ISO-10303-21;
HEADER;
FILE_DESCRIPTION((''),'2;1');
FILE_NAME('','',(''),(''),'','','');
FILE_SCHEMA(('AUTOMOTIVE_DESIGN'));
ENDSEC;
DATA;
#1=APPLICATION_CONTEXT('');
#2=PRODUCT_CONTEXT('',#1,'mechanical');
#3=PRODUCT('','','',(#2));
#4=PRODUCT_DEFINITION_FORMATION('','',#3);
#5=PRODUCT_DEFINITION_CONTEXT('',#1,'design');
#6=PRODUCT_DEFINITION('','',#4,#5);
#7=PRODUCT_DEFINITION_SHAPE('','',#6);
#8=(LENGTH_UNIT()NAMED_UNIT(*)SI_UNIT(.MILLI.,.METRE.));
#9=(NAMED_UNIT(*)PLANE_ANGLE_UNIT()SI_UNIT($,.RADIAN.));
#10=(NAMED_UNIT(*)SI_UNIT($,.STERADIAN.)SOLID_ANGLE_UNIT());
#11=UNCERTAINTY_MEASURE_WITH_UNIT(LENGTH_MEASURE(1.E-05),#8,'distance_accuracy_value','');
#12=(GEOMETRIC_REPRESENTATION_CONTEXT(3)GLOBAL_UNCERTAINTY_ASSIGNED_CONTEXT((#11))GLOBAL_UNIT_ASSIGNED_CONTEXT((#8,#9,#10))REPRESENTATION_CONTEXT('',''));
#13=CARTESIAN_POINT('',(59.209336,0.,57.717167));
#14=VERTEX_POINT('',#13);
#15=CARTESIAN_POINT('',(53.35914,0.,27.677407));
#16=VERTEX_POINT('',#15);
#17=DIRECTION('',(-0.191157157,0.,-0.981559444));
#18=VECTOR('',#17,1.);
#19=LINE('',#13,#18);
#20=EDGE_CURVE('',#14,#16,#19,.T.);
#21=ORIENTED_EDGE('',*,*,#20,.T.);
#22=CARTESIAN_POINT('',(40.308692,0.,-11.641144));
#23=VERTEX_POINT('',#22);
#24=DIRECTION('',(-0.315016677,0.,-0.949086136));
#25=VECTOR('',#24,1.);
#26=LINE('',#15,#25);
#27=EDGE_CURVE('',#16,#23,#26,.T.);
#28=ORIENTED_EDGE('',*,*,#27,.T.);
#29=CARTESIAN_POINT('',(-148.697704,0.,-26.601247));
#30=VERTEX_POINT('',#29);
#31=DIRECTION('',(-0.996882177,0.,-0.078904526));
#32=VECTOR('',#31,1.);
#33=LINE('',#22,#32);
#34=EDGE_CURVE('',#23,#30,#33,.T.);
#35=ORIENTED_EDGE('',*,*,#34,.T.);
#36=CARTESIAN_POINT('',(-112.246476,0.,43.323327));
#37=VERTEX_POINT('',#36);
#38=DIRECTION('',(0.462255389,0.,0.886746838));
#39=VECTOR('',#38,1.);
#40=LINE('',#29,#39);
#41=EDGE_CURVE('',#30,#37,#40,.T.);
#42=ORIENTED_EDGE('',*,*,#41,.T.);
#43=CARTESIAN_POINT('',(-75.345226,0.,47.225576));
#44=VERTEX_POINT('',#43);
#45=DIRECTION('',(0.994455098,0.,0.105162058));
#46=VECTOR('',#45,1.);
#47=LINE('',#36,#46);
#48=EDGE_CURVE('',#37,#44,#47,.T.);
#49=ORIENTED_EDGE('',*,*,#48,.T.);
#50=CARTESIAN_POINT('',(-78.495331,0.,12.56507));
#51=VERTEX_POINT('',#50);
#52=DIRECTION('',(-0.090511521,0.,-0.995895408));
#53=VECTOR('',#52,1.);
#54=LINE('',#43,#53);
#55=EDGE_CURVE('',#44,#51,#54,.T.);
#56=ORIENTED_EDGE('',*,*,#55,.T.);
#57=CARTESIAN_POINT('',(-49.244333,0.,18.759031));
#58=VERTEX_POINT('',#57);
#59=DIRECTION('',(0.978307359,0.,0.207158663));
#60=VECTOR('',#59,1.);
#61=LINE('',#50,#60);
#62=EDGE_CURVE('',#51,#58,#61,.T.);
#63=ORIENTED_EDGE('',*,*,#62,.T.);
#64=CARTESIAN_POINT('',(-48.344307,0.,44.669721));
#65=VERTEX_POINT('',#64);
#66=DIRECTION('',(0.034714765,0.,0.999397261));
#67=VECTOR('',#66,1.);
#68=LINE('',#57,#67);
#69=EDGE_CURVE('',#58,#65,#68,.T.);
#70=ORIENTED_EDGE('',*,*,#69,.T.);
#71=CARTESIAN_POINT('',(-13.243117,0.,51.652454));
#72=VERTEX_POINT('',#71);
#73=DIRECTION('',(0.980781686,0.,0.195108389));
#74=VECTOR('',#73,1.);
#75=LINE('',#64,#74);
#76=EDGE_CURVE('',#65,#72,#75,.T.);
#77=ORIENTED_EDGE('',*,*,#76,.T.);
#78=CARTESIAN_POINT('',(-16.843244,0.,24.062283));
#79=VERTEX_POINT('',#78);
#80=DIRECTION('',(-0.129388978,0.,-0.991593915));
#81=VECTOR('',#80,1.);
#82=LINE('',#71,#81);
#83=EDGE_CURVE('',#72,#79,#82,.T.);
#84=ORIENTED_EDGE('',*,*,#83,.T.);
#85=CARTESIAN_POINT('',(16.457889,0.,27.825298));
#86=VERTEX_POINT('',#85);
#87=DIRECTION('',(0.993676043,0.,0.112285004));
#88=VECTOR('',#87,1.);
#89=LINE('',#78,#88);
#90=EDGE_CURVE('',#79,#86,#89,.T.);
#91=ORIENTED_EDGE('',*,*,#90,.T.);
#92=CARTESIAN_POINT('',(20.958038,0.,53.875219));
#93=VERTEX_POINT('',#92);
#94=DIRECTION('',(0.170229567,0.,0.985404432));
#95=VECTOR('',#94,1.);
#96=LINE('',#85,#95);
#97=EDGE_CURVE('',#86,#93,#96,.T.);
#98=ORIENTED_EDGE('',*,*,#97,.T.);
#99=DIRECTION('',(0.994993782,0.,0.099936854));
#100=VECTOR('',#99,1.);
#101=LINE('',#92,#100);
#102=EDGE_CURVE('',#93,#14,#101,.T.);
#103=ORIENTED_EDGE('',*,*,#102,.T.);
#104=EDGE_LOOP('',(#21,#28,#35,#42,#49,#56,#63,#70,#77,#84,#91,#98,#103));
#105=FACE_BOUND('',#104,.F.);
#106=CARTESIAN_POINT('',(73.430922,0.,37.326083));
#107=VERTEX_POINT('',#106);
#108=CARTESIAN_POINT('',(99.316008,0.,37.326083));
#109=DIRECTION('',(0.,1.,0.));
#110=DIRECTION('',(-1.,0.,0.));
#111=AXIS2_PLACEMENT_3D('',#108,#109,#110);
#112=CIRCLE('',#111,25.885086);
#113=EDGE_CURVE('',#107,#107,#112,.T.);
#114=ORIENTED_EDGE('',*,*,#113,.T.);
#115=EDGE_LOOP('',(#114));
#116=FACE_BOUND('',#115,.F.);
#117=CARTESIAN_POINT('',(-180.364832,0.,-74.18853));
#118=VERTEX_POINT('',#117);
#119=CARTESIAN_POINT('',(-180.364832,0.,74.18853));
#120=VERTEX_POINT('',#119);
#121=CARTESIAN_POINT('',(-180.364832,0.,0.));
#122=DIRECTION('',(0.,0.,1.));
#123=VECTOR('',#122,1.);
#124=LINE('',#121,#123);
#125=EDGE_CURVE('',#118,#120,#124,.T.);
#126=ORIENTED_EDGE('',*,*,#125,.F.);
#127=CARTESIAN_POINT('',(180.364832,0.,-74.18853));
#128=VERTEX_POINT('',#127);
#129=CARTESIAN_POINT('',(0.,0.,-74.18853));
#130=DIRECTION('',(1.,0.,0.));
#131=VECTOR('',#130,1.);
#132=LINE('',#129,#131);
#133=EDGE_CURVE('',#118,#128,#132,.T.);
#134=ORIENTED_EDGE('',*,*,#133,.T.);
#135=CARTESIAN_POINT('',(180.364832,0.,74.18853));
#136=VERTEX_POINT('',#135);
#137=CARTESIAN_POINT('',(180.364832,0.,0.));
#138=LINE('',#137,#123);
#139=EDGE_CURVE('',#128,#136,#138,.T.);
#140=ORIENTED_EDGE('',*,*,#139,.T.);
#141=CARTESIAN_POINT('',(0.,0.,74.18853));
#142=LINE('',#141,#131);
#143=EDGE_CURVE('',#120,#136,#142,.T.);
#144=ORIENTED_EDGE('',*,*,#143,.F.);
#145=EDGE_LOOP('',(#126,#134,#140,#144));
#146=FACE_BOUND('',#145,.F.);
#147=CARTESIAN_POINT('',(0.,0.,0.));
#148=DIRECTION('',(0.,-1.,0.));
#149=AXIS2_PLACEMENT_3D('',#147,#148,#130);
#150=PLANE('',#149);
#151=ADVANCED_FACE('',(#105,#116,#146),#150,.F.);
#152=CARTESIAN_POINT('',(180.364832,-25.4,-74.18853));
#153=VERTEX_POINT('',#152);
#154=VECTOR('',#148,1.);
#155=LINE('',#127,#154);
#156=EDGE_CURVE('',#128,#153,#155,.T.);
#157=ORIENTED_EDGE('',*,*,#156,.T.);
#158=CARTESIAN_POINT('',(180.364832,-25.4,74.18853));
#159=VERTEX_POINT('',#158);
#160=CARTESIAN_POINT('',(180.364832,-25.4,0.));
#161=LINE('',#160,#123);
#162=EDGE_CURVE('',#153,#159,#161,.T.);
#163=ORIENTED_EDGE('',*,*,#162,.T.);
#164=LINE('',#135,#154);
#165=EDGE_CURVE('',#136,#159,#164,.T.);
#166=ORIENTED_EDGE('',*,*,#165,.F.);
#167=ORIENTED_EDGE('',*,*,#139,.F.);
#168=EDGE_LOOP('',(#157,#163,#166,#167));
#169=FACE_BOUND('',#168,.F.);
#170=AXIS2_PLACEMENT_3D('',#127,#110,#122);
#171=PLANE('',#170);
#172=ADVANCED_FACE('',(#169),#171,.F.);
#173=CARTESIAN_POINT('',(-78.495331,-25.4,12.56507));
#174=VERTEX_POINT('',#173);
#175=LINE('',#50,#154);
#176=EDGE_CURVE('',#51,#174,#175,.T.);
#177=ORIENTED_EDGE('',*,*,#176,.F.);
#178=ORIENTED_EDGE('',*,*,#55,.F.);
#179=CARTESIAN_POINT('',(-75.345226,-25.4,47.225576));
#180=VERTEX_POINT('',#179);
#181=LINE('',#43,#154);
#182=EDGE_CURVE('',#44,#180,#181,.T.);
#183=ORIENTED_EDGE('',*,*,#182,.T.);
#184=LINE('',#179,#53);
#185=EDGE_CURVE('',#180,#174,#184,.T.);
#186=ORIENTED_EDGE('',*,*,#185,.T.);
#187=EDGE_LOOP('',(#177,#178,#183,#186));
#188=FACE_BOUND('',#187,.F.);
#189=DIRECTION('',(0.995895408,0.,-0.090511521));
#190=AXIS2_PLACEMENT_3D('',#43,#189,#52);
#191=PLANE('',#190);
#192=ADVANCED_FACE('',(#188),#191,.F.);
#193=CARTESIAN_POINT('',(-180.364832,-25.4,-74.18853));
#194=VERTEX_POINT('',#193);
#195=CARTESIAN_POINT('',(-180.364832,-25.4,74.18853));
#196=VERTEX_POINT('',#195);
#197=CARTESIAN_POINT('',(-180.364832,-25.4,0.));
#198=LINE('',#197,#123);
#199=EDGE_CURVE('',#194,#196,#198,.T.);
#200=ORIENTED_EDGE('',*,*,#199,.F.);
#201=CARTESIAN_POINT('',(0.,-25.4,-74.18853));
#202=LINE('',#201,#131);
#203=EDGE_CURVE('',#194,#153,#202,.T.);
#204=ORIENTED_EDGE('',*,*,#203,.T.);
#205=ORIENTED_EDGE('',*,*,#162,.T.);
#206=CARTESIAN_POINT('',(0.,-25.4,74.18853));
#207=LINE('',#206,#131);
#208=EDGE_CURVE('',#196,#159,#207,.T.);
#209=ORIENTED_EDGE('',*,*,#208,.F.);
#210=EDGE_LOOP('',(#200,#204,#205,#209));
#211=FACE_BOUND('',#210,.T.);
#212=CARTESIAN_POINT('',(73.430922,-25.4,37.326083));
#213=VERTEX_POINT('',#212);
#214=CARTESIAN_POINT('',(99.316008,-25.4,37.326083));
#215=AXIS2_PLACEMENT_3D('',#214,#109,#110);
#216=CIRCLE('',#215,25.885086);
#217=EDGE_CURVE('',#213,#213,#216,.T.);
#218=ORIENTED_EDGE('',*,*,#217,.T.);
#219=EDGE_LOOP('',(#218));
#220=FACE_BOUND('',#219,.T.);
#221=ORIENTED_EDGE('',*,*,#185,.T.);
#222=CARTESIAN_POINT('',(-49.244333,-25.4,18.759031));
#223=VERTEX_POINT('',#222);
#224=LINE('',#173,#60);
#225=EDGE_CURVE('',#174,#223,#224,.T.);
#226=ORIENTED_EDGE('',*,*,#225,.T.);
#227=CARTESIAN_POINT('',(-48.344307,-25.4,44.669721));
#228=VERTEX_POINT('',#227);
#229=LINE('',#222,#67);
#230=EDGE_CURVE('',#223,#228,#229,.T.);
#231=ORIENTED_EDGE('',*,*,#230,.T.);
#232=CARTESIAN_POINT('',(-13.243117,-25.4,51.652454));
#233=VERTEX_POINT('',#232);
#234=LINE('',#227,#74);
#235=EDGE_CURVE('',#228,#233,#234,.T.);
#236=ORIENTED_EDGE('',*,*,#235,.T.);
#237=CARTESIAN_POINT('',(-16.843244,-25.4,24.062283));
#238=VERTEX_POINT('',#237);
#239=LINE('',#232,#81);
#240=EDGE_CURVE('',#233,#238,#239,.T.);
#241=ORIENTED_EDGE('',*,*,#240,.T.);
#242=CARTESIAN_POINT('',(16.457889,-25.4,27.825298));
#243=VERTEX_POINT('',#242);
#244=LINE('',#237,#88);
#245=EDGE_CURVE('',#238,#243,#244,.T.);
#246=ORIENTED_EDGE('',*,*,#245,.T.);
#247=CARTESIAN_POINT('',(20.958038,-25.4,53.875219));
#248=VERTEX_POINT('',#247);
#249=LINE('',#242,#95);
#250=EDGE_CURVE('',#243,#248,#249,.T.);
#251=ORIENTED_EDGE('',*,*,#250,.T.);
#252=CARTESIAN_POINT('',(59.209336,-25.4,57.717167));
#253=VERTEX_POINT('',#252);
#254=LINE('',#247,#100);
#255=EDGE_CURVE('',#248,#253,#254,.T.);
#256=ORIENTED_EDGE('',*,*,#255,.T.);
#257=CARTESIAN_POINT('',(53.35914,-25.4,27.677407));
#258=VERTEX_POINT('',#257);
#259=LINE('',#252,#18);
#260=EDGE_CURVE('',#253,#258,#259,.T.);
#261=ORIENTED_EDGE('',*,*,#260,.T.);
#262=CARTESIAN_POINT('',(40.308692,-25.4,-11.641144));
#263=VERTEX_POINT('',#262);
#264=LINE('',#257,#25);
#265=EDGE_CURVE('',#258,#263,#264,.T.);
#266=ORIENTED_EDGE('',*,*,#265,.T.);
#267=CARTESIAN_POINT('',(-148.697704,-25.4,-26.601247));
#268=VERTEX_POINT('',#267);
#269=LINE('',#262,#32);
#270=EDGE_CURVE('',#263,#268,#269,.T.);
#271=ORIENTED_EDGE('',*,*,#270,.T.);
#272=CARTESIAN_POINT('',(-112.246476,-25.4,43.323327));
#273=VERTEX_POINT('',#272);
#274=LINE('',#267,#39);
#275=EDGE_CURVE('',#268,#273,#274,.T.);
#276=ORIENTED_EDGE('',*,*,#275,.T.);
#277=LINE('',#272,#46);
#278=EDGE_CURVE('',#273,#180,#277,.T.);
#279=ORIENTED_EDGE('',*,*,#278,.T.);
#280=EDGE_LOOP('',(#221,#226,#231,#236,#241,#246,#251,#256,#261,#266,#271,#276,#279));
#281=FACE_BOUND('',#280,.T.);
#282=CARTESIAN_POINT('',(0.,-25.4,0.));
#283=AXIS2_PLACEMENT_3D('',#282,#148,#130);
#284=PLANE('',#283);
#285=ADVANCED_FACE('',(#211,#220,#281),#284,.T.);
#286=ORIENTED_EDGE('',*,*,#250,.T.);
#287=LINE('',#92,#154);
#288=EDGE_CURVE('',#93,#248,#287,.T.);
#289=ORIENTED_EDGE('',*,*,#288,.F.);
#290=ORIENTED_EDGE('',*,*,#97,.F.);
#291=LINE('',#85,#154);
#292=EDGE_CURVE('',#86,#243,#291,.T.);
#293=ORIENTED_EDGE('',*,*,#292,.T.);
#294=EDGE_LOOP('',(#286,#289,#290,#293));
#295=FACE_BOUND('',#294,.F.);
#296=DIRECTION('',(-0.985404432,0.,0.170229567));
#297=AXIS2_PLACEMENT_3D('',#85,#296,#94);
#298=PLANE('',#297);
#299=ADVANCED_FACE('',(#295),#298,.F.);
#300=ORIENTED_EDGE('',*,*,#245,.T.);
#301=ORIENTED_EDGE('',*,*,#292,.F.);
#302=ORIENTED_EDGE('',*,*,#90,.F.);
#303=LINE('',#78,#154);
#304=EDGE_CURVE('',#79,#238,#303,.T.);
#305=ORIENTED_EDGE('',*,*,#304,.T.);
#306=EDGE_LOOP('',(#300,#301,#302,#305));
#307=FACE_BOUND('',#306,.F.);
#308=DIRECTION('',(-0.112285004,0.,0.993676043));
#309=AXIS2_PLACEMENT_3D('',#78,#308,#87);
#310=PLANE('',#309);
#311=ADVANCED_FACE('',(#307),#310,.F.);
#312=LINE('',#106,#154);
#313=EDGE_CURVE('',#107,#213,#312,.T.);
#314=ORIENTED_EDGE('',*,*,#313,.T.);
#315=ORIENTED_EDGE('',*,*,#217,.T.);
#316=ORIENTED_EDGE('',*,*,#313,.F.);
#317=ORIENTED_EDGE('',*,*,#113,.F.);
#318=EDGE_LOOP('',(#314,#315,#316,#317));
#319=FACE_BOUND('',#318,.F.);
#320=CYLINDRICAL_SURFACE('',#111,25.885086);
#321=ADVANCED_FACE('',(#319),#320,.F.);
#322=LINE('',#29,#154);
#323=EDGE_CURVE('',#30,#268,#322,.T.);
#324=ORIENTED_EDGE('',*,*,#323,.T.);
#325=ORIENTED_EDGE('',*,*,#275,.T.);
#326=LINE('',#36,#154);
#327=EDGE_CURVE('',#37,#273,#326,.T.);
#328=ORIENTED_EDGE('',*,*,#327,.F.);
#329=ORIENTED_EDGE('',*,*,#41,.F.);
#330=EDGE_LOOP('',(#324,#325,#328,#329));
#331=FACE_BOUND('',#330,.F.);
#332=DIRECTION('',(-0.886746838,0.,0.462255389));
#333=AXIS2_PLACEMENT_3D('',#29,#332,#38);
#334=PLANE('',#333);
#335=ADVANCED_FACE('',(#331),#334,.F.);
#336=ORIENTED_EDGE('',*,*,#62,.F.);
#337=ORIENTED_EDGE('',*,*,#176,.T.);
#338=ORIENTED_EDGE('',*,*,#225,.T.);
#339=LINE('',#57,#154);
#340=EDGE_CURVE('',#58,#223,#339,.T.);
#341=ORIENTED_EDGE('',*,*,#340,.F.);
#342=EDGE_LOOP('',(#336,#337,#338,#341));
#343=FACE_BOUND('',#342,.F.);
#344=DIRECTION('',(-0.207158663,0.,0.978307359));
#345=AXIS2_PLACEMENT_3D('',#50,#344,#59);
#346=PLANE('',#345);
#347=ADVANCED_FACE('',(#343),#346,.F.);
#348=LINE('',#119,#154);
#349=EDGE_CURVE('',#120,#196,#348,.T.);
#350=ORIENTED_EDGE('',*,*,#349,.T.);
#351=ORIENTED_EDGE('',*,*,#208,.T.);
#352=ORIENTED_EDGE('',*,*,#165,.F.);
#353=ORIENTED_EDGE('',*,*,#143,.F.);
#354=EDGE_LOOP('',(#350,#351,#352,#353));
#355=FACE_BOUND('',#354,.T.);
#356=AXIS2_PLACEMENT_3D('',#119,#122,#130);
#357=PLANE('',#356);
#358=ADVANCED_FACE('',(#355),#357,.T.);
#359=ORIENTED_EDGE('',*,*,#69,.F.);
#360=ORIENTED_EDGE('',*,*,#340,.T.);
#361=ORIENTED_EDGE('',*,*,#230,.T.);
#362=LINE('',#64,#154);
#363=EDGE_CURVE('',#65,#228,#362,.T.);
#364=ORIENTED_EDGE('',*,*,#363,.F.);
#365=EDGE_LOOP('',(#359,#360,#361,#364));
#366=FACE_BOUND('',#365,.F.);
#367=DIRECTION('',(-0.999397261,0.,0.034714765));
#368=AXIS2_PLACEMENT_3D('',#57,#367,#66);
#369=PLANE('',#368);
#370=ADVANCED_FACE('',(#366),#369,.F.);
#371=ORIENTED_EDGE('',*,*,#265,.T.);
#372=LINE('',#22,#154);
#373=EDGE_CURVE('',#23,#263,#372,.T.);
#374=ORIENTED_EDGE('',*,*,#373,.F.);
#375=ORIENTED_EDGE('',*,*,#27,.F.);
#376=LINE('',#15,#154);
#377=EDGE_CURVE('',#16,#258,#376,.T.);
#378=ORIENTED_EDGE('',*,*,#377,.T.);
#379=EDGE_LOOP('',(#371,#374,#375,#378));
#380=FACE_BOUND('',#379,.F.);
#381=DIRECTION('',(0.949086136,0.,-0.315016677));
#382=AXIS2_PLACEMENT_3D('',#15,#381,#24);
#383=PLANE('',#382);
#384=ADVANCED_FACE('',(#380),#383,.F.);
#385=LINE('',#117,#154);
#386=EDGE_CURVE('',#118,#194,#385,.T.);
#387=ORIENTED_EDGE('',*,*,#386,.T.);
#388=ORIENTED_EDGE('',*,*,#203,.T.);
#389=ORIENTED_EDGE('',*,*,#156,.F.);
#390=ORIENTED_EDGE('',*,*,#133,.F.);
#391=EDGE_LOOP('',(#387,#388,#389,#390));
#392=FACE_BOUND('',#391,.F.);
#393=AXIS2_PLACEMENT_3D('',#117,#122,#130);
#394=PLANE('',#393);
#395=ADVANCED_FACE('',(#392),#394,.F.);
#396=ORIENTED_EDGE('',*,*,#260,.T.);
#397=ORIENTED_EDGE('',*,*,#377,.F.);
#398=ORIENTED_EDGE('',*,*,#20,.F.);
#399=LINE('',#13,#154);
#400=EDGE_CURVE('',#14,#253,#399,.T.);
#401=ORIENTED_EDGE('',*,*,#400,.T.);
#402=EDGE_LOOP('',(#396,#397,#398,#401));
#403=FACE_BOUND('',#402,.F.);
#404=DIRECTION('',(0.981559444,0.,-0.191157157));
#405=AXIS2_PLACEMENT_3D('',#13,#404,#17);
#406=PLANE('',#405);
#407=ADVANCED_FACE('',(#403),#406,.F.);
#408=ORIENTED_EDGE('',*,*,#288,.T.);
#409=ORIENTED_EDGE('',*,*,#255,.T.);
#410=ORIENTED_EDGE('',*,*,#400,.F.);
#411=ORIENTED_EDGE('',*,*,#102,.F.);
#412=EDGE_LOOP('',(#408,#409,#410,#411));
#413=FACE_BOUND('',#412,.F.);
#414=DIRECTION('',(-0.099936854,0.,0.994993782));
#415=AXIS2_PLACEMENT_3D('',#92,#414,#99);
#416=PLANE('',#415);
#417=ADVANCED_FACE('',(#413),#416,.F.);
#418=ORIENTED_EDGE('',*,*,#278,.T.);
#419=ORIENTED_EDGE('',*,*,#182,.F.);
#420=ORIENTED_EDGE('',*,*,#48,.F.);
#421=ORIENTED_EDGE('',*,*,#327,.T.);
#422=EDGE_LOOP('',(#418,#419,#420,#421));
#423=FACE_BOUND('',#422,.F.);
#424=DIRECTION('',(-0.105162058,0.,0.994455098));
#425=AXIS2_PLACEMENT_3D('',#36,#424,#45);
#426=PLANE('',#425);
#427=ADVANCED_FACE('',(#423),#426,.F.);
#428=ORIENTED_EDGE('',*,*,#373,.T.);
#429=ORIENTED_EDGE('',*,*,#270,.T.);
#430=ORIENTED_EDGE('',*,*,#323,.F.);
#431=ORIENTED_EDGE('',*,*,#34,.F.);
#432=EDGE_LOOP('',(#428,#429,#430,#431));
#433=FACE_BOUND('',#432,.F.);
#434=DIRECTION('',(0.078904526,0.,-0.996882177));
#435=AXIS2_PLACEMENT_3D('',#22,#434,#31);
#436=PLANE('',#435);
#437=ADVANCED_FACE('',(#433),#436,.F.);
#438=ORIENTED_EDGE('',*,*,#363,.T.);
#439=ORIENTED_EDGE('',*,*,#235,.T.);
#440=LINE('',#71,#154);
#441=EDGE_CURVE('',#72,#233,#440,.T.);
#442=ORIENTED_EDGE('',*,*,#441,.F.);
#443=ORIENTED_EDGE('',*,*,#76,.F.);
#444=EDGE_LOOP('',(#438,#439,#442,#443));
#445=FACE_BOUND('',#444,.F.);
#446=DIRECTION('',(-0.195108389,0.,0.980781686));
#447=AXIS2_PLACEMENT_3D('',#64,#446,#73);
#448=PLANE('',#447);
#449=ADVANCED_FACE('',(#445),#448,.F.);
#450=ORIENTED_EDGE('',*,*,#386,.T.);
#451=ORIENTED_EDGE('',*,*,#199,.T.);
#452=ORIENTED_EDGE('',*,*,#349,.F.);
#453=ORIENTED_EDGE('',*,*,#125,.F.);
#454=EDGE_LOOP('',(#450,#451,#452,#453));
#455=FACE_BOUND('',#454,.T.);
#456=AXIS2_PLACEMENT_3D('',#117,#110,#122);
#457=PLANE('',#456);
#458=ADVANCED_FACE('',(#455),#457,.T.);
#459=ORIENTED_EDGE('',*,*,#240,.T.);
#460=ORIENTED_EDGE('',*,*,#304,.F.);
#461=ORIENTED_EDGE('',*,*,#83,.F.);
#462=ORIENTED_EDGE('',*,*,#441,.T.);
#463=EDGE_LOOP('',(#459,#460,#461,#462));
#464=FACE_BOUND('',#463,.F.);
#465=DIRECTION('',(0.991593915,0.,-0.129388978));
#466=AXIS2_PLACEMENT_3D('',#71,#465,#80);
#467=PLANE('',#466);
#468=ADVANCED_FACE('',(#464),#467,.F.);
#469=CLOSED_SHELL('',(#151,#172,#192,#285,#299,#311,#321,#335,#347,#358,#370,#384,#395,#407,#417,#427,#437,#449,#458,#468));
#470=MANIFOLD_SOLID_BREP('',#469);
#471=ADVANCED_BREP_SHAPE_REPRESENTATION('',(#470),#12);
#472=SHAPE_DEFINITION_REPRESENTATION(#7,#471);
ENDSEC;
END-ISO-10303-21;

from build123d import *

# Parameters (mm, degrees)
F0_W     = 360.729664
F0_H     = 148.37706
F1_DEPTH = 25.4
F2_R     = 25.885086
F3_DEPTH = 25.4


with BuildPart() as f1:
    # F0 (on Front) → F1 (new body)
    with BuildSketch(Plane.XZ):
        Rectangle(F0_W, F0_H)
        Polygon((-148.697704, -26.601247), (-112.246476, 43.323327), (-75.345226, 47.225576), (-78.495331, 12.56507), (-49.244333, 18.759031), (-48.344307, 44.669721), (-13.243117, 51.652454), (-16.843244, 24.062283), (16.457889, 27.825298), (20.958038, 53.875219), (59.209336, 57.717167), (53.35914, 27.677407), (40.308692, -11.641144), align=None, mode=Mode.SUBTRACT)
    extrude(amount=F1_DEPTH)

    # F2 (on face) → F3 (cut)
    with BuildSketch(Plane(origin=(0, 0, 0), x_dir=(-1, 0, 0), z_dir=(0, 1, 0))):
        with Locations((-99.316008, 37.326083)):
            Circle(F2_R)
    extrude(amount=-F3_DEPTH, mode=Mode.SUBTRACT)


solid = f1.part
